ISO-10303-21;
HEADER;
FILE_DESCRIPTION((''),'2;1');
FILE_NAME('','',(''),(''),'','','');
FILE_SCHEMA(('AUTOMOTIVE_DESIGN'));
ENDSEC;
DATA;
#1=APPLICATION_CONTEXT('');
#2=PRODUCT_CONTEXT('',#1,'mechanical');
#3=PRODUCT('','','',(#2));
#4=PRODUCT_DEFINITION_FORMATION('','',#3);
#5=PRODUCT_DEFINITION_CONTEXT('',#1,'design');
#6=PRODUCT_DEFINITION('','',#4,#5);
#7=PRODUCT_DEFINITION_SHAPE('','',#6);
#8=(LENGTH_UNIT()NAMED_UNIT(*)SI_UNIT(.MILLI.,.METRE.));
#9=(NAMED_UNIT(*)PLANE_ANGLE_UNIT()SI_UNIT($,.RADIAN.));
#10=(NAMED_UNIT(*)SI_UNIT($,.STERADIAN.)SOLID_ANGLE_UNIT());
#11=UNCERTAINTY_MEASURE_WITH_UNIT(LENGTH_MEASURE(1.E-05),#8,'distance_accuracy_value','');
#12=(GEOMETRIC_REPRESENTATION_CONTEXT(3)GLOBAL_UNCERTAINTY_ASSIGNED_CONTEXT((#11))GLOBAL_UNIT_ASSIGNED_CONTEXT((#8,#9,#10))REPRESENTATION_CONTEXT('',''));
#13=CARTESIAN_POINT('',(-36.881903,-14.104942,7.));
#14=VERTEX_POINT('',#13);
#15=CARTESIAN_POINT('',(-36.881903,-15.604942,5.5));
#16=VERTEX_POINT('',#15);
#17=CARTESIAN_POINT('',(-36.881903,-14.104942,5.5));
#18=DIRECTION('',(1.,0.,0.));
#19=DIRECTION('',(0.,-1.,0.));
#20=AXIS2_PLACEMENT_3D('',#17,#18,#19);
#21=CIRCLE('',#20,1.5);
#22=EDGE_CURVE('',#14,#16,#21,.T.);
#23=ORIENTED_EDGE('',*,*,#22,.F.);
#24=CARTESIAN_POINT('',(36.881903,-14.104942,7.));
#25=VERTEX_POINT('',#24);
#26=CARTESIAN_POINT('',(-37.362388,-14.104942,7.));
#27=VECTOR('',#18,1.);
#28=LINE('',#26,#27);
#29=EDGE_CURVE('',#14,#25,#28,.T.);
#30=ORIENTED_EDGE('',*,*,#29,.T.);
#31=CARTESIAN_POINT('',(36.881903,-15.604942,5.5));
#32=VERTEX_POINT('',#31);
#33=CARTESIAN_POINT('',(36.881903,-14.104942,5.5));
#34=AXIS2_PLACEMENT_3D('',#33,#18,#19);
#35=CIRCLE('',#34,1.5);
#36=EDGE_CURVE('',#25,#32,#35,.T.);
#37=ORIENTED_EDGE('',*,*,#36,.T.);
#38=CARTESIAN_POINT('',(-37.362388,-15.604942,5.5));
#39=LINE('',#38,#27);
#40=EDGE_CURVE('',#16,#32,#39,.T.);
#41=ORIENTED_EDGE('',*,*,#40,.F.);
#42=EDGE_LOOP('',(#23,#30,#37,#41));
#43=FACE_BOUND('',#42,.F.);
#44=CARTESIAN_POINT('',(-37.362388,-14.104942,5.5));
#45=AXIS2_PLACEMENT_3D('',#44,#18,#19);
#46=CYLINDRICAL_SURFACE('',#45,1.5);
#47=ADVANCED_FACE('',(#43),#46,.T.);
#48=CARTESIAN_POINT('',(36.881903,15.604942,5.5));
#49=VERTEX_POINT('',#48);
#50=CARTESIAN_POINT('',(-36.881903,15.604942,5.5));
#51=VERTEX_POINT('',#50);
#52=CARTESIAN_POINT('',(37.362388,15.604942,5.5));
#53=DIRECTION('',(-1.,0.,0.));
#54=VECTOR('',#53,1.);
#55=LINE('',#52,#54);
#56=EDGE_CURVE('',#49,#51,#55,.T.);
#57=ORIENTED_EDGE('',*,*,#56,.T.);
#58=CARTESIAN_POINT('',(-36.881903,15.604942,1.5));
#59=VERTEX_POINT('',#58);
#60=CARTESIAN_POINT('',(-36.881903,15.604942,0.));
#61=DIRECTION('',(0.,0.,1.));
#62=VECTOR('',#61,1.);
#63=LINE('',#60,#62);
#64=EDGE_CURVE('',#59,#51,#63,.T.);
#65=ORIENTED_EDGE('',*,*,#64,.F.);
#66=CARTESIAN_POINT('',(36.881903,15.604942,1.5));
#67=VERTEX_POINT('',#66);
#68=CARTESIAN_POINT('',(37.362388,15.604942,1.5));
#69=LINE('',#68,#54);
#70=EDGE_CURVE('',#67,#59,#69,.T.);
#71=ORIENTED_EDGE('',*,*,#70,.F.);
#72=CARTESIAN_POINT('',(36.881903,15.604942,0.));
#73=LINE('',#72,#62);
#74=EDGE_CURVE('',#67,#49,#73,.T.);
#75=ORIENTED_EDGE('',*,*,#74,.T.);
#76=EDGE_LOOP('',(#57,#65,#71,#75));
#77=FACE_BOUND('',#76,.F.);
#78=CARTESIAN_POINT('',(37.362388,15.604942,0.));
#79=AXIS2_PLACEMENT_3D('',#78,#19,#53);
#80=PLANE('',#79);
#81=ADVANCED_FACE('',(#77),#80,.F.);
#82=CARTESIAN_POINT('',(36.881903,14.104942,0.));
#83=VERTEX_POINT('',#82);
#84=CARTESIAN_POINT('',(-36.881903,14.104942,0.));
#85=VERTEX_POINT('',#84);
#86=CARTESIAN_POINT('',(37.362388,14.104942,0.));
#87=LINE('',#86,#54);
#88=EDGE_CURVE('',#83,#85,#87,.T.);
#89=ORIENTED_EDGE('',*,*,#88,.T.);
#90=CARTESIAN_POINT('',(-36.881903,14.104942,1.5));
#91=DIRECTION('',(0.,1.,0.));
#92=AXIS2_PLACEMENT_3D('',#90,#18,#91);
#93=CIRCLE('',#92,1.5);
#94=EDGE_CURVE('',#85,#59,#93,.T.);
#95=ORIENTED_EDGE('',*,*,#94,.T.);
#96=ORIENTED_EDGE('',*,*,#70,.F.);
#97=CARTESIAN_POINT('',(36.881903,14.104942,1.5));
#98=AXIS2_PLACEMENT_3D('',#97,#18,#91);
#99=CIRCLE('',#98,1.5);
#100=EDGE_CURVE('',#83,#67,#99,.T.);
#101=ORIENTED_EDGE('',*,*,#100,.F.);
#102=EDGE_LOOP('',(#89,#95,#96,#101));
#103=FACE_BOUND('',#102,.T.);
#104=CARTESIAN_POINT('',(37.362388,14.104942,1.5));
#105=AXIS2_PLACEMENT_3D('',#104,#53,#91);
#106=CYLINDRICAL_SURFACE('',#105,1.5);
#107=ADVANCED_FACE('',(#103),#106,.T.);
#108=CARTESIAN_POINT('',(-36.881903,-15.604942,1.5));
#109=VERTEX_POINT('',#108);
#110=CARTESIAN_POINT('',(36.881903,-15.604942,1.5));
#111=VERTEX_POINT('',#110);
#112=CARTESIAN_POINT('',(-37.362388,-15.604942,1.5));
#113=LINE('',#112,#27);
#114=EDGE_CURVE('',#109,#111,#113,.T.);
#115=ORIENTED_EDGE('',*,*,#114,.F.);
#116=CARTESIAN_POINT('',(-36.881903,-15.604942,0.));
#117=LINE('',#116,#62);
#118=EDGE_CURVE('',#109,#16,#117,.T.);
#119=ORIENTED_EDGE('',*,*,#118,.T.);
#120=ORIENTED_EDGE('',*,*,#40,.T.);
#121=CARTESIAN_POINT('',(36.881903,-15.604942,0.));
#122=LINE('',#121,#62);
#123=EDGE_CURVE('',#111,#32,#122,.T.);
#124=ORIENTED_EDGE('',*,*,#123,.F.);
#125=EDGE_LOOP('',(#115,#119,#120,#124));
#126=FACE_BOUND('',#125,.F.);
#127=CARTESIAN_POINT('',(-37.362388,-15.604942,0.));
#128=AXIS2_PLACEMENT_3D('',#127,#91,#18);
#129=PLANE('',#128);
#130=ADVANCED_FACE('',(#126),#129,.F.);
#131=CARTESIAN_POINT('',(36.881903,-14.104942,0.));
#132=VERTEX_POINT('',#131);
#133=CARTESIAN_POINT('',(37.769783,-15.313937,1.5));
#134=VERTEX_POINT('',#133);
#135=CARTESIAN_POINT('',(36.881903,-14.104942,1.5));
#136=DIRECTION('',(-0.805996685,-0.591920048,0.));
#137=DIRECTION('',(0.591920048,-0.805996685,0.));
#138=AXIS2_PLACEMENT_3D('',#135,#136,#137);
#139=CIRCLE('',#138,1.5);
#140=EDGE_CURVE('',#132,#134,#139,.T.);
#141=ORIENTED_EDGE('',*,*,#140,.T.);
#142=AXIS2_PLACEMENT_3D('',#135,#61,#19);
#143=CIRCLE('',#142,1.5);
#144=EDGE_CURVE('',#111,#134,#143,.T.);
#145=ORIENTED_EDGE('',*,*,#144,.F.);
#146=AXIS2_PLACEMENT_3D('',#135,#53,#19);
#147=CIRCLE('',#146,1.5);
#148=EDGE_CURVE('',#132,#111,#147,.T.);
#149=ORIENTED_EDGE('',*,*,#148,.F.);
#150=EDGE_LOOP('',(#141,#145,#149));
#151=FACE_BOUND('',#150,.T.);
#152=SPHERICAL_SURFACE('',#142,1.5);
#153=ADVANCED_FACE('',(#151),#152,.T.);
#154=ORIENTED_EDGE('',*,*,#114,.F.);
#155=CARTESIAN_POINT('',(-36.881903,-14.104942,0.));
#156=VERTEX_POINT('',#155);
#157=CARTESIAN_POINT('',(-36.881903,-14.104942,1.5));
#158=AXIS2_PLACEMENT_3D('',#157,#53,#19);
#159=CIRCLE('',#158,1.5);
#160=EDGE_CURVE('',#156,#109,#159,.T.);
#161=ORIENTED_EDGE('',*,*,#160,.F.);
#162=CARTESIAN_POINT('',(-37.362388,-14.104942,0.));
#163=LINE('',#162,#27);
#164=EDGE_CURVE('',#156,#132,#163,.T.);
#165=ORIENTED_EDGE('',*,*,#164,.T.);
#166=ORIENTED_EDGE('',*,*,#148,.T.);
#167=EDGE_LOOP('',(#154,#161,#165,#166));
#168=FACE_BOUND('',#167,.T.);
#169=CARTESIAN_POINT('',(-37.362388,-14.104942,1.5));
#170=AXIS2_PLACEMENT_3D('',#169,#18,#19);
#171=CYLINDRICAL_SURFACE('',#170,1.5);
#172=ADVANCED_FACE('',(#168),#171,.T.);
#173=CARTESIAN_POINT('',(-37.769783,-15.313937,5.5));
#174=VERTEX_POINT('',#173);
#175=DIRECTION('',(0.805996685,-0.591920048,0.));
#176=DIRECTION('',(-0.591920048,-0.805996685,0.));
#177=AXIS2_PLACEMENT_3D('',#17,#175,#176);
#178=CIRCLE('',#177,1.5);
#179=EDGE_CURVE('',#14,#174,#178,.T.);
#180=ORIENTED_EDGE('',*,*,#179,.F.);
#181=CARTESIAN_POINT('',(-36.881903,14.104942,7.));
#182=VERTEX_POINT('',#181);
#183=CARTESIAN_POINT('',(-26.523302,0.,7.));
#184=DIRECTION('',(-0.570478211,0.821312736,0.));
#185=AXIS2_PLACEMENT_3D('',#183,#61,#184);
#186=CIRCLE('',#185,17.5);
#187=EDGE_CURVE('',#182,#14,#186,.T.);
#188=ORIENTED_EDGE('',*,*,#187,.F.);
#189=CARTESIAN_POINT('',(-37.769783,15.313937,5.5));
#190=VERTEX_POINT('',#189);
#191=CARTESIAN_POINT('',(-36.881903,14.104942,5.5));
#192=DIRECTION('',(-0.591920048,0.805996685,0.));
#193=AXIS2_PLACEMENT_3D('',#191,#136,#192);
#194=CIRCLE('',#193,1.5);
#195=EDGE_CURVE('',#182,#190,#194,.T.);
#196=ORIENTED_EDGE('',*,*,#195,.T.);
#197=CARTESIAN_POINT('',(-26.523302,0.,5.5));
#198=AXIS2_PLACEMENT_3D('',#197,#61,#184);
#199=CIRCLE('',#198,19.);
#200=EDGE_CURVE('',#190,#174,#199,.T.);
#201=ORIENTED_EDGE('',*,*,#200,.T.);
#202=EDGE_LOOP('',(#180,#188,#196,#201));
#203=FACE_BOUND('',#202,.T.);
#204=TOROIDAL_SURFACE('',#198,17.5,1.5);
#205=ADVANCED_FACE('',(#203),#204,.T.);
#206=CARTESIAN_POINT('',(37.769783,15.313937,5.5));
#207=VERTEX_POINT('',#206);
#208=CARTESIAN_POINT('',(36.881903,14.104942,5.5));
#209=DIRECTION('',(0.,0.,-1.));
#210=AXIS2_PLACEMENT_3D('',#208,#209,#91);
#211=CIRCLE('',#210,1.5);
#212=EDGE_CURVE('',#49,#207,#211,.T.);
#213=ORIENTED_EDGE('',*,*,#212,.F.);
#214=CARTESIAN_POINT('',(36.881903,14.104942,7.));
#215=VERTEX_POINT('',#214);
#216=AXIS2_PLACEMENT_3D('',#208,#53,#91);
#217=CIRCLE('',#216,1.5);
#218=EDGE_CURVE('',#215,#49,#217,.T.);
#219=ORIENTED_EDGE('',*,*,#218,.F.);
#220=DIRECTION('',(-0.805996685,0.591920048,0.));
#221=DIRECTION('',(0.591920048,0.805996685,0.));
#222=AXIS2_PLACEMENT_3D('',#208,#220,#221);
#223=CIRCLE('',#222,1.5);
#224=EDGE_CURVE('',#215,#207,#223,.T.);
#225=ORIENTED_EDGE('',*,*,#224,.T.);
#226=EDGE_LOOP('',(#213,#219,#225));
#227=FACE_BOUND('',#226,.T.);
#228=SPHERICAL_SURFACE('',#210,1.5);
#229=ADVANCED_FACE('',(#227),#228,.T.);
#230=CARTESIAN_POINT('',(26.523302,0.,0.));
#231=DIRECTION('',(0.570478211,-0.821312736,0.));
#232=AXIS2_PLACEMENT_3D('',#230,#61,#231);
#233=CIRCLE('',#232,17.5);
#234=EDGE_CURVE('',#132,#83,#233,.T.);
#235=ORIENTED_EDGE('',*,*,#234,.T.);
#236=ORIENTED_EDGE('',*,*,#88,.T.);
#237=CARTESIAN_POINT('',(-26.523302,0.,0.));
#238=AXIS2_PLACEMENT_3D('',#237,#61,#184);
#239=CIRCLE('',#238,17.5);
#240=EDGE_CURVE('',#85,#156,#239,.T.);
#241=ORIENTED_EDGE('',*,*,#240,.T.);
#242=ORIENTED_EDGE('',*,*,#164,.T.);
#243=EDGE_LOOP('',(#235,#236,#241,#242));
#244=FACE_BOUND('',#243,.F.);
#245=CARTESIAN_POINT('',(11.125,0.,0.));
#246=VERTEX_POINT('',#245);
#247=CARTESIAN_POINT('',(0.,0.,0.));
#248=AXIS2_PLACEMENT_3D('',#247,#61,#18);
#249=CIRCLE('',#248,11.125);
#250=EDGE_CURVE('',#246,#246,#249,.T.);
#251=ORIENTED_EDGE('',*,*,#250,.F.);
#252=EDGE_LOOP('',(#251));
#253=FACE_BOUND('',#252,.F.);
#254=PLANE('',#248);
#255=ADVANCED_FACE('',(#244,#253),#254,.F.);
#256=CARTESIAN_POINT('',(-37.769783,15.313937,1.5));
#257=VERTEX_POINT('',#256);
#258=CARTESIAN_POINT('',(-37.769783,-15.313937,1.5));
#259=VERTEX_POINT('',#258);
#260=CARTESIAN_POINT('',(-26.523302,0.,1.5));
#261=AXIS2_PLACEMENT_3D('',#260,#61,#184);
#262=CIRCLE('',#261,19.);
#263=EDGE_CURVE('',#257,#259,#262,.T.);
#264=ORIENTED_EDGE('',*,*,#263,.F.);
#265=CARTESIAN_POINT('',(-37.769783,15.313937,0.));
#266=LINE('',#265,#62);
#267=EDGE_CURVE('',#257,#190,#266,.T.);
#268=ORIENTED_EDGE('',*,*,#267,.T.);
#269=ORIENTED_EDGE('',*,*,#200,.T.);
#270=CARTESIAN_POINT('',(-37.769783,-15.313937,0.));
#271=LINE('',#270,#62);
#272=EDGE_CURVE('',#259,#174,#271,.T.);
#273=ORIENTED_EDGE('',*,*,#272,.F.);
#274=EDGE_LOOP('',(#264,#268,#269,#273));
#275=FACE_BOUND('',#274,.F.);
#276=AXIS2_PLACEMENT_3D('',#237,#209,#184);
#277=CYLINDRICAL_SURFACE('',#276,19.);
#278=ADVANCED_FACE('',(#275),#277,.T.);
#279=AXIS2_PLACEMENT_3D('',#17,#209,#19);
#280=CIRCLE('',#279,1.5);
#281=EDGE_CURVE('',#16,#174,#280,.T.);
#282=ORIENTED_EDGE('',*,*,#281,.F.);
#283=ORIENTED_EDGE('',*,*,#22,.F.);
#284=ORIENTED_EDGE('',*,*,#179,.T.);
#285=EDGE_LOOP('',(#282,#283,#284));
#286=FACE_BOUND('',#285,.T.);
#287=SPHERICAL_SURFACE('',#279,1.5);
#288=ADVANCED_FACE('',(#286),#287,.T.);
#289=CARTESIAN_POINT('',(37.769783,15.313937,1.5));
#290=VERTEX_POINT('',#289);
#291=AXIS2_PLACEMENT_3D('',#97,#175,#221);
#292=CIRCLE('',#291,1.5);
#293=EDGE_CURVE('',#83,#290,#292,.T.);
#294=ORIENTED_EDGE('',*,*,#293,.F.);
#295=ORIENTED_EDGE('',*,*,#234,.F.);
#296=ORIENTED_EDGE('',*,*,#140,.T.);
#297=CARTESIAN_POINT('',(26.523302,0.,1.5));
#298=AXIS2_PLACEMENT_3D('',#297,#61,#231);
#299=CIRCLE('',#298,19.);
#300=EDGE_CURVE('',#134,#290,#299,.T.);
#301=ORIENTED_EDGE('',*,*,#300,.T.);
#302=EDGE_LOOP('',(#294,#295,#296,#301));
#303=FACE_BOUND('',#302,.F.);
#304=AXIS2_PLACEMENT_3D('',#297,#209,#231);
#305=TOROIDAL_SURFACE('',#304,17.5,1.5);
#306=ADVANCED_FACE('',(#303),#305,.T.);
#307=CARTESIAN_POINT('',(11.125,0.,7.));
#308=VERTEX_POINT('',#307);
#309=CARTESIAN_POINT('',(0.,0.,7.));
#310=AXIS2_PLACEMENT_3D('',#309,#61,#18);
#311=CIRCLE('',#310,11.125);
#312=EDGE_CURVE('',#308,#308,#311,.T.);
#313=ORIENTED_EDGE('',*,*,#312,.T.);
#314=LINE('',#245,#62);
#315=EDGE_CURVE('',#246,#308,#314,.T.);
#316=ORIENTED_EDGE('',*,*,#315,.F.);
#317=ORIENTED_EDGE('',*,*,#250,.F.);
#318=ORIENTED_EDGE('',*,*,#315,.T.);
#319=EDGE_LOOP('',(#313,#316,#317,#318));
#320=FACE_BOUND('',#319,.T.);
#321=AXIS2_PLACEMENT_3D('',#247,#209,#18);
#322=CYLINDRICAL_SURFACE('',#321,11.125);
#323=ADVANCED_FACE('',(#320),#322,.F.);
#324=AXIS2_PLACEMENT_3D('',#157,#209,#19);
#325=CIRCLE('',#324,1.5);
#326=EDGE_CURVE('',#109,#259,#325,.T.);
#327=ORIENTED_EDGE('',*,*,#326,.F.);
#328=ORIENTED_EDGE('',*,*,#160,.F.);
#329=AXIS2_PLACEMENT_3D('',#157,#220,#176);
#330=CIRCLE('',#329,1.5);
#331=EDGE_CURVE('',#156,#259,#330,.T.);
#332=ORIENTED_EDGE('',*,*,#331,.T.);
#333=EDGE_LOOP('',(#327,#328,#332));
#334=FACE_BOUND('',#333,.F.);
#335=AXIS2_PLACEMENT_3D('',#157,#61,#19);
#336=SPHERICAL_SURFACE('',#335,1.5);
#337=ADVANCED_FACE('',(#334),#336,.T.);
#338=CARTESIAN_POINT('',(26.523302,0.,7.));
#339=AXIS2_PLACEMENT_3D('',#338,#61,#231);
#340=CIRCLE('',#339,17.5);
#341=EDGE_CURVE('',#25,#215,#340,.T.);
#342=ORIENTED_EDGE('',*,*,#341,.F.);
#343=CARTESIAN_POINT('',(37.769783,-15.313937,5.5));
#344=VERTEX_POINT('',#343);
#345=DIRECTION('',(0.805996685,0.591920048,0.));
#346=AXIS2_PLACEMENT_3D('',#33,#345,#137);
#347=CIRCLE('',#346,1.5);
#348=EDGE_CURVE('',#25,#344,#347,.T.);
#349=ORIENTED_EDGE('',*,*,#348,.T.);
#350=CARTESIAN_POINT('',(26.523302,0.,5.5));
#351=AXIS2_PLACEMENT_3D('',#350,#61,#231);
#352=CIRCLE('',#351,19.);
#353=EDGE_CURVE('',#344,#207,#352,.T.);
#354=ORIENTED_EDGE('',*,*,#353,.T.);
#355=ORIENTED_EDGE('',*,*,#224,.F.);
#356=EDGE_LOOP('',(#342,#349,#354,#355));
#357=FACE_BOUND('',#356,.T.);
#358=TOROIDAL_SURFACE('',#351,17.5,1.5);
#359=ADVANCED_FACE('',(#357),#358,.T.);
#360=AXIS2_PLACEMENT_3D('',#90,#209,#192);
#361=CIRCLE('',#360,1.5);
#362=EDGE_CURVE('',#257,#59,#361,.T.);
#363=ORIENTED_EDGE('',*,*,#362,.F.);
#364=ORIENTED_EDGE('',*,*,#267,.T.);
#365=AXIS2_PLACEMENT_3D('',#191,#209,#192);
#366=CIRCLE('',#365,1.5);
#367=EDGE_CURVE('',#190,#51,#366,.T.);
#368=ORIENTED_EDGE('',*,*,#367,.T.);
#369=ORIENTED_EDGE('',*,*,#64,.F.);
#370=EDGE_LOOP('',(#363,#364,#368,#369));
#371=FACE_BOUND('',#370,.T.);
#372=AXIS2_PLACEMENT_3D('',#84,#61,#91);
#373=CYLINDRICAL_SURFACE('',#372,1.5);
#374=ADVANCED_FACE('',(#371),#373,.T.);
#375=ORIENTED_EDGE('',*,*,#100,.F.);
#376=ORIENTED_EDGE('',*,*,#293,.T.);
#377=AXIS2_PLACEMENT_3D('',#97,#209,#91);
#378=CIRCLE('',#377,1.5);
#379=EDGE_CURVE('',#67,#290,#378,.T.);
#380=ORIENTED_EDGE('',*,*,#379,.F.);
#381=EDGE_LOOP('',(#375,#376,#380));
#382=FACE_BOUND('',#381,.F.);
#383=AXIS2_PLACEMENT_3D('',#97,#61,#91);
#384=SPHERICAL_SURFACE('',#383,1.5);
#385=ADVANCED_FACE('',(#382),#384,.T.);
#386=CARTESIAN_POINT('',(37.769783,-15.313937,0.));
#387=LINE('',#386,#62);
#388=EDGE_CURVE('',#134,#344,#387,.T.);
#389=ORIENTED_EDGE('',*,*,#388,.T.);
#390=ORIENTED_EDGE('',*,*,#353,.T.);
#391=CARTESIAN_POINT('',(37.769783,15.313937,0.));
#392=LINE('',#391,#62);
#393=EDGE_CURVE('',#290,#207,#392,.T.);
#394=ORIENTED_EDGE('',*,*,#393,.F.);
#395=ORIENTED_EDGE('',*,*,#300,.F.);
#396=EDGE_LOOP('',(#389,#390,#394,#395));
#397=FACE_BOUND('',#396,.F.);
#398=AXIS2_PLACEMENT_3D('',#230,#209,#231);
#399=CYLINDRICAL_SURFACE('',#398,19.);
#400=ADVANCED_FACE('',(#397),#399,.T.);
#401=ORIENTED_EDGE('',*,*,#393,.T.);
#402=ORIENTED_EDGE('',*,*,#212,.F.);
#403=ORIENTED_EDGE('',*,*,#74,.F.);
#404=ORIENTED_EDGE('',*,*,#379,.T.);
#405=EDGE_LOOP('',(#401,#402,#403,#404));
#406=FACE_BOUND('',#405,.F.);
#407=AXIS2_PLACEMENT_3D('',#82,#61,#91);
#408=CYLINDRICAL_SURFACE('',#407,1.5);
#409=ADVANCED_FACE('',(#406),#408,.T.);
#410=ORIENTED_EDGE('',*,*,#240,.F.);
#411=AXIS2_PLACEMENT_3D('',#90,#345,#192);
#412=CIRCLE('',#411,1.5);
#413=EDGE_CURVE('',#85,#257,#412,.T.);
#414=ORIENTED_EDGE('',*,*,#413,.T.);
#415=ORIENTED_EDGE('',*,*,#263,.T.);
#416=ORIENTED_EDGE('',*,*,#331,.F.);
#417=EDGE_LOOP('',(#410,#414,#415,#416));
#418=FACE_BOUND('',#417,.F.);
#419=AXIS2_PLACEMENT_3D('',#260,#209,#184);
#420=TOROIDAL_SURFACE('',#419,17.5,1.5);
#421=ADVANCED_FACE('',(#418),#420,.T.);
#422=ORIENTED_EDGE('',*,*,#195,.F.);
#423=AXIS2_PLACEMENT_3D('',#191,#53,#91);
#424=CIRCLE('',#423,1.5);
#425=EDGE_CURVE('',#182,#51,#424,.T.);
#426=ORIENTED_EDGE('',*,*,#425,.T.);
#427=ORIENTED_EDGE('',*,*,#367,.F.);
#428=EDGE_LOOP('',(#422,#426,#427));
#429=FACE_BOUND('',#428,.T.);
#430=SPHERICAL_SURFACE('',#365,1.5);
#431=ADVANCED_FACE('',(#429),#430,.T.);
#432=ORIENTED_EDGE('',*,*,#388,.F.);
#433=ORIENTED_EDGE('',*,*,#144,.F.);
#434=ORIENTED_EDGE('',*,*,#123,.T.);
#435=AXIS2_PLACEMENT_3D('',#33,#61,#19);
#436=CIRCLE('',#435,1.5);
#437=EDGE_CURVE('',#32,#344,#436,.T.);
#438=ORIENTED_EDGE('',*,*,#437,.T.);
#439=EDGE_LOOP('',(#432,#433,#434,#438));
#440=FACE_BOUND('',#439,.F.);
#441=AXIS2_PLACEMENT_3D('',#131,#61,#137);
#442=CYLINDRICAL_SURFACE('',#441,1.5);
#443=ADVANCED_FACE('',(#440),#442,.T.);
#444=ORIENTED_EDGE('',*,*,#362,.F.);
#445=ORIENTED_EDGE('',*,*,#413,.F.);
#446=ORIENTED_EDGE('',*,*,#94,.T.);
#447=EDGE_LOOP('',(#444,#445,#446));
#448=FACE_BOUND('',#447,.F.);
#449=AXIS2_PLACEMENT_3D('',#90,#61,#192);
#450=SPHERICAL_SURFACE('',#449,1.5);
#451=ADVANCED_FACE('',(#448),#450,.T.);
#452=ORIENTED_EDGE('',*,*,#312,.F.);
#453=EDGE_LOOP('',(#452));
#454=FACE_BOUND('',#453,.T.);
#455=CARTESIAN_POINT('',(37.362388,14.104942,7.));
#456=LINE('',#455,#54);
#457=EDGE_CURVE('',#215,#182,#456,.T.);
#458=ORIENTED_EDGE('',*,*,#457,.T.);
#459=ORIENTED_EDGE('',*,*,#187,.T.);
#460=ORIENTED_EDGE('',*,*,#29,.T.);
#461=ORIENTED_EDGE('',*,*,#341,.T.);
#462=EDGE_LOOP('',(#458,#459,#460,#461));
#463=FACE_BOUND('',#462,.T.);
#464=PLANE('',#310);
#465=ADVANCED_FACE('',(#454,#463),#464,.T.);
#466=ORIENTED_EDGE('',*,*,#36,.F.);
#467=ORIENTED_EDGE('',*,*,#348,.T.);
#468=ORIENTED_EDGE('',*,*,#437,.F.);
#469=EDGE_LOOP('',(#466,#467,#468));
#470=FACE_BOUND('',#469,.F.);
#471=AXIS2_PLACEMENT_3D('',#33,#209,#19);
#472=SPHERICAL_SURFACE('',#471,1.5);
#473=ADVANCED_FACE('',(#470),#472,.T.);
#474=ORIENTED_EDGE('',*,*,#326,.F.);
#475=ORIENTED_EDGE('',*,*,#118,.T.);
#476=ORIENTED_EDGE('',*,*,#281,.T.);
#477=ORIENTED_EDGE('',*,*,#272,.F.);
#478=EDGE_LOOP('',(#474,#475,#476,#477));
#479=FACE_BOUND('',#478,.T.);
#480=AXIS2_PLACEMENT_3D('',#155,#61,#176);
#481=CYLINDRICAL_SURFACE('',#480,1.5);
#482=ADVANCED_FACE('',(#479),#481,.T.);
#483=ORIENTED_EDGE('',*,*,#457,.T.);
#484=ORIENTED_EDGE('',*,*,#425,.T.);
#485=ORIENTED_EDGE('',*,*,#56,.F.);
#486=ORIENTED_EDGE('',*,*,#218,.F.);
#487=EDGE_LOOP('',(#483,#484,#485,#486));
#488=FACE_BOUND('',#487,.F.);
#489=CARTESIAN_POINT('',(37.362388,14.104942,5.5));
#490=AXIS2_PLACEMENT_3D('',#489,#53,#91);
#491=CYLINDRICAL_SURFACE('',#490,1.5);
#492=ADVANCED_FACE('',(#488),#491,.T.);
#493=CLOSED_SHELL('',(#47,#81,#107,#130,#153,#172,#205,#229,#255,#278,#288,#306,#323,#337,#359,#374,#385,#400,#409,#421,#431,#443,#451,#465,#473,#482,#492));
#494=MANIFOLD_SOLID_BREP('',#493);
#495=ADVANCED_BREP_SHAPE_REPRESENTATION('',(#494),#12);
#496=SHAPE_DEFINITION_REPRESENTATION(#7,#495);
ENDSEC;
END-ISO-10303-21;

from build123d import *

# Parameters (mm, degrees)
F0_R     = 11.125
F1_DEPTH = 7
F2_R     = 1.5


with BuildPart() as f1:
    # F0 (on Top) → F1 (new body)
    with BuildSketch(Plane.XY):
        with BuildLine():
            Line((37.362388, 15.604942), (-37.362388, 15.604942))
            ThreePointArc((-37.362388, 15.604942), (-45.523302, 0), (-37.362388, -15.604942))
            Line((-37.362388, -15.604942), (37.362388, -15.604942))
            ThreePointArc((37.362388, -15.604942), (45.523302, 0), (37.362388, 15.604942))
        make_face()
        Circle(F0_R, mode=Mode.SUBTRACT)
    extrude(amount=F1_DEPTH)

    # F2
    f2_edges = [f1.edges().sort_by_distance(p)[0] for p in [
        (0, -15.604942, 7),
        (0, -15.604942, 0),
        (-45.523302, 0, 7),
        (-45.523302, 0, 0),
        (0, 15.604942, 7),
        (0, 15.604942, 0),
        (45.523302, 0, 7),
        (45.523302, 0, 0),
        (37.362388, 15.604942, 3.5),
        (-37.362388, 15.604942, 3.5),
        (-37.362388, -15.604942, 3.5),
        (37.362388, -15.604942, 3.5),
    ]]
    fillet(f2_edges, radius=F2_R)


solid = f1.part
